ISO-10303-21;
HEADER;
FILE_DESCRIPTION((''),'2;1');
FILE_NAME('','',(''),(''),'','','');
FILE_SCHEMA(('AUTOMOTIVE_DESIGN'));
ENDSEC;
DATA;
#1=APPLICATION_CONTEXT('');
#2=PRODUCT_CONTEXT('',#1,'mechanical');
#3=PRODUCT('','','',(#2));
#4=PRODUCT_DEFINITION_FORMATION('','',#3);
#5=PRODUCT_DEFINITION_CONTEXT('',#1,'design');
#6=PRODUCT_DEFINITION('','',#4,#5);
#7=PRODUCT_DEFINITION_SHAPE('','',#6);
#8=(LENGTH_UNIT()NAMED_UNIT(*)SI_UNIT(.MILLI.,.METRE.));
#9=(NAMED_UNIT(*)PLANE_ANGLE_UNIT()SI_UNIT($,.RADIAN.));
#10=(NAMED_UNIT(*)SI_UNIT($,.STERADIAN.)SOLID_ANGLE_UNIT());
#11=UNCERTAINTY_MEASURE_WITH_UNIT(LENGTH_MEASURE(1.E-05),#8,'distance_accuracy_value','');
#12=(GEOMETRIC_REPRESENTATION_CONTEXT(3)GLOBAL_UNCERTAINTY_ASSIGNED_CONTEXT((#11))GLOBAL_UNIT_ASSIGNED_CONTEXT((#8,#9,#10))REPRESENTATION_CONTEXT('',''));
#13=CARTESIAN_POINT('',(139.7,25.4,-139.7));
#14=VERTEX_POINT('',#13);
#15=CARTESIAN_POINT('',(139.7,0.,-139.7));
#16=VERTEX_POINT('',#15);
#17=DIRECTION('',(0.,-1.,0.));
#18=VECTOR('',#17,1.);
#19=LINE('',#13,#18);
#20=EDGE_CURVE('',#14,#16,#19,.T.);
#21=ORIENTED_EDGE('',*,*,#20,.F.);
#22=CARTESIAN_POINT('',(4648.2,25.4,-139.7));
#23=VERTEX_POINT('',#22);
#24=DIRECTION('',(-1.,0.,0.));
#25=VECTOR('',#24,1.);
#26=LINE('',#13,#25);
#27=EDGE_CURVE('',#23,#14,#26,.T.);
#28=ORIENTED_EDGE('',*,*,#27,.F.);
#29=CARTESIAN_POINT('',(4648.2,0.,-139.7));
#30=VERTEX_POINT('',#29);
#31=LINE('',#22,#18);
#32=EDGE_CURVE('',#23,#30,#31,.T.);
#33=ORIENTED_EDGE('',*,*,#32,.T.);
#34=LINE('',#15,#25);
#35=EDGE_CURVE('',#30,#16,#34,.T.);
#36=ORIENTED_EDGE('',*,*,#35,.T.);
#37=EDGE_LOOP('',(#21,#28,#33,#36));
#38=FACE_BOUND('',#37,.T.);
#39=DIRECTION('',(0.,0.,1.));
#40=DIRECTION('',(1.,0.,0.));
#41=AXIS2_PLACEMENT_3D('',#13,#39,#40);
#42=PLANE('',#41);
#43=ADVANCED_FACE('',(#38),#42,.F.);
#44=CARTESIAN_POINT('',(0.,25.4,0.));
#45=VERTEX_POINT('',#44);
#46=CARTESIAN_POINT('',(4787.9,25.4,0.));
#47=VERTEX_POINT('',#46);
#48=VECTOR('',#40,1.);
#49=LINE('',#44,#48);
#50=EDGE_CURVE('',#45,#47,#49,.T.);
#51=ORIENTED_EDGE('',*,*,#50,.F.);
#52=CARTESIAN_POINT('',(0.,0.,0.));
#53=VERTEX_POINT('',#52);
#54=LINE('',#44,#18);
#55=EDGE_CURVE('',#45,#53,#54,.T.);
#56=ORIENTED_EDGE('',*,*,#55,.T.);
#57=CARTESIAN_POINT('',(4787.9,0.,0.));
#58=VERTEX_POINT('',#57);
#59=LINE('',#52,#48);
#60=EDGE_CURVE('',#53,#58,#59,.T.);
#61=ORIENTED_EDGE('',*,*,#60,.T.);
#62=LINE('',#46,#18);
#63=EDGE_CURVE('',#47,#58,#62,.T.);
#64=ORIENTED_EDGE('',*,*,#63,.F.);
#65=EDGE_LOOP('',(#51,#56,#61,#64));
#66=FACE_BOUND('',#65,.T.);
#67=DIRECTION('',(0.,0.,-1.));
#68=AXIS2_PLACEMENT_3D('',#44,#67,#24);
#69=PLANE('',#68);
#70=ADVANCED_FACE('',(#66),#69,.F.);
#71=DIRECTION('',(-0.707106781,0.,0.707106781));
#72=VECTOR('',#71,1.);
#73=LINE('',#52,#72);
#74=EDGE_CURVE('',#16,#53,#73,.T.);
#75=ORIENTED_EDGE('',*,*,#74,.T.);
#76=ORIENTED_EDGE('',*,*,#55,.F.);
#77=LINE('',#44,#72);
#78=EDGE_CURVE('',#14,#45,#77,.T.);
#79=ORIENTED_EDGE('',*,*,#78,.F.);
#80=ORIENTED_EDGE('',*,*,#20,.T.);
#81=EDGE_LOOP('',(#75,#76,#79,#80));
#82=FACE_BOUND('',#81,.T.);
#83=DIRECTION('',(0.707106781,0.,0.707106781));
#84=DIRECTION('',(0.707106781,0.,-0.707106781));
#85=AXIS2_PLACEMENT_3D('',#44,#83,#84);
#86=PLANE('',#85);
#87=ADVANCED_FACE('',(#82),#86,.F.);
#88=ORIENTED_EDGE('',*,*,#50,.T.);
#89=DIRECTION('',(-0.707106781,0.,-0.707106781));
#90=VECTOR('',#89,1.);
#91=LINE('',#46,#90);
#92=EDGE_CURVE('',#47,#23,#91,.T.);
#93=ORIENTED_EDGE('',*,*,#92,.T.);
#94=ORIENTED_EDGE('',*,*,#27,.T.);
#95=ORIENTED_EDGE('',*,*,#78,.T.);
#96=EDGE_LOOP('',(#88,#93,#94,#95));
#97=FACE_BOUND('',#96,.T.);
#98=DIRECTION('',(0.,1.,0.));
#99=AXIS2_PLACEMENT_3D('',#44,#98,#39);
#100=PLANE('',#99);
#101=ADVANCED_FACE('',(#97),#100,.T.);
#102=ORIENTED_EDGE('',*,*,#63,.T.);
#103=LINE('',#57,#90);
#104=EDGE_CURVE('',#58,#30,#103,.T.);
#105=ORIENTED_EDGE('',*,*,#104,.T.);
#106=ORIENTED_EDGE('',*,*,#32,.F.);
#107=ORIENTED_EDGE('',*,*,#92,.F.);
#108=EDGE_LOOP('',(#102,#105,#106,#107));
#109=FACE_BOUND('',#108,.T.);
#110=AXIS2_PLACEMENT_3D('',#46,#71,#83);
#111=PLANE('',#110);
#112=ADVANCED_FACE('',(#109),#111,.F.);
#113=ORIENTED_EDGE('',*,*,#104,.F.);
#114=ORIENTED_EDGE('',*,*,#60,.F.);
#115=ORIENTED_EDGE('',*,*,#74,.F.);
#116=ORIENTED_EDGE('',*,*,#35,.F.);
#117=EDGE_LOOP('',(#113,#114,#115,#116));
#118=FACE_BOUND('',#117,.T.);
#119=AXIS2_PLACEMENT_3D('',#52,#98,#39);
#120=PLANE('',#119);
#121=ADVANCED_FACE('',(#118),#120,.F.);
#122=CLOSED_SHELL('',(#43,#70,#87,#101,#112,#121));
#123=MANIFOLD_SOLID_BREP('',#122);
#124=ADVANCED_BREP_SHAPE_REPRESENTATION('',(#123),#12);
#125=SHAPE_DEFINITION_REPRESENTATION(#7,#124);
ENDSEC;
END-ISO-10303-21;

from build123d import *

# Parameters (mm, degrees)
BOSS_EXTRUDE1_DEPTH = 25.4


with BuildPart() as part:
    # Sketch1 → Boss-Extrude1 (new body)
    with BuildSketch(Plane(origin=(0, 0, 0), x_dir=(1, 0, 0), z_dir=(0, 1, 0))):
        Polygon((4787.9, 0), (4648.2, 139.7), (139.7, 139.7), (0, 0), align=None)
    extrude(amount=BOSS_EXTRUDE1_DEPTH)


solid = part.part
